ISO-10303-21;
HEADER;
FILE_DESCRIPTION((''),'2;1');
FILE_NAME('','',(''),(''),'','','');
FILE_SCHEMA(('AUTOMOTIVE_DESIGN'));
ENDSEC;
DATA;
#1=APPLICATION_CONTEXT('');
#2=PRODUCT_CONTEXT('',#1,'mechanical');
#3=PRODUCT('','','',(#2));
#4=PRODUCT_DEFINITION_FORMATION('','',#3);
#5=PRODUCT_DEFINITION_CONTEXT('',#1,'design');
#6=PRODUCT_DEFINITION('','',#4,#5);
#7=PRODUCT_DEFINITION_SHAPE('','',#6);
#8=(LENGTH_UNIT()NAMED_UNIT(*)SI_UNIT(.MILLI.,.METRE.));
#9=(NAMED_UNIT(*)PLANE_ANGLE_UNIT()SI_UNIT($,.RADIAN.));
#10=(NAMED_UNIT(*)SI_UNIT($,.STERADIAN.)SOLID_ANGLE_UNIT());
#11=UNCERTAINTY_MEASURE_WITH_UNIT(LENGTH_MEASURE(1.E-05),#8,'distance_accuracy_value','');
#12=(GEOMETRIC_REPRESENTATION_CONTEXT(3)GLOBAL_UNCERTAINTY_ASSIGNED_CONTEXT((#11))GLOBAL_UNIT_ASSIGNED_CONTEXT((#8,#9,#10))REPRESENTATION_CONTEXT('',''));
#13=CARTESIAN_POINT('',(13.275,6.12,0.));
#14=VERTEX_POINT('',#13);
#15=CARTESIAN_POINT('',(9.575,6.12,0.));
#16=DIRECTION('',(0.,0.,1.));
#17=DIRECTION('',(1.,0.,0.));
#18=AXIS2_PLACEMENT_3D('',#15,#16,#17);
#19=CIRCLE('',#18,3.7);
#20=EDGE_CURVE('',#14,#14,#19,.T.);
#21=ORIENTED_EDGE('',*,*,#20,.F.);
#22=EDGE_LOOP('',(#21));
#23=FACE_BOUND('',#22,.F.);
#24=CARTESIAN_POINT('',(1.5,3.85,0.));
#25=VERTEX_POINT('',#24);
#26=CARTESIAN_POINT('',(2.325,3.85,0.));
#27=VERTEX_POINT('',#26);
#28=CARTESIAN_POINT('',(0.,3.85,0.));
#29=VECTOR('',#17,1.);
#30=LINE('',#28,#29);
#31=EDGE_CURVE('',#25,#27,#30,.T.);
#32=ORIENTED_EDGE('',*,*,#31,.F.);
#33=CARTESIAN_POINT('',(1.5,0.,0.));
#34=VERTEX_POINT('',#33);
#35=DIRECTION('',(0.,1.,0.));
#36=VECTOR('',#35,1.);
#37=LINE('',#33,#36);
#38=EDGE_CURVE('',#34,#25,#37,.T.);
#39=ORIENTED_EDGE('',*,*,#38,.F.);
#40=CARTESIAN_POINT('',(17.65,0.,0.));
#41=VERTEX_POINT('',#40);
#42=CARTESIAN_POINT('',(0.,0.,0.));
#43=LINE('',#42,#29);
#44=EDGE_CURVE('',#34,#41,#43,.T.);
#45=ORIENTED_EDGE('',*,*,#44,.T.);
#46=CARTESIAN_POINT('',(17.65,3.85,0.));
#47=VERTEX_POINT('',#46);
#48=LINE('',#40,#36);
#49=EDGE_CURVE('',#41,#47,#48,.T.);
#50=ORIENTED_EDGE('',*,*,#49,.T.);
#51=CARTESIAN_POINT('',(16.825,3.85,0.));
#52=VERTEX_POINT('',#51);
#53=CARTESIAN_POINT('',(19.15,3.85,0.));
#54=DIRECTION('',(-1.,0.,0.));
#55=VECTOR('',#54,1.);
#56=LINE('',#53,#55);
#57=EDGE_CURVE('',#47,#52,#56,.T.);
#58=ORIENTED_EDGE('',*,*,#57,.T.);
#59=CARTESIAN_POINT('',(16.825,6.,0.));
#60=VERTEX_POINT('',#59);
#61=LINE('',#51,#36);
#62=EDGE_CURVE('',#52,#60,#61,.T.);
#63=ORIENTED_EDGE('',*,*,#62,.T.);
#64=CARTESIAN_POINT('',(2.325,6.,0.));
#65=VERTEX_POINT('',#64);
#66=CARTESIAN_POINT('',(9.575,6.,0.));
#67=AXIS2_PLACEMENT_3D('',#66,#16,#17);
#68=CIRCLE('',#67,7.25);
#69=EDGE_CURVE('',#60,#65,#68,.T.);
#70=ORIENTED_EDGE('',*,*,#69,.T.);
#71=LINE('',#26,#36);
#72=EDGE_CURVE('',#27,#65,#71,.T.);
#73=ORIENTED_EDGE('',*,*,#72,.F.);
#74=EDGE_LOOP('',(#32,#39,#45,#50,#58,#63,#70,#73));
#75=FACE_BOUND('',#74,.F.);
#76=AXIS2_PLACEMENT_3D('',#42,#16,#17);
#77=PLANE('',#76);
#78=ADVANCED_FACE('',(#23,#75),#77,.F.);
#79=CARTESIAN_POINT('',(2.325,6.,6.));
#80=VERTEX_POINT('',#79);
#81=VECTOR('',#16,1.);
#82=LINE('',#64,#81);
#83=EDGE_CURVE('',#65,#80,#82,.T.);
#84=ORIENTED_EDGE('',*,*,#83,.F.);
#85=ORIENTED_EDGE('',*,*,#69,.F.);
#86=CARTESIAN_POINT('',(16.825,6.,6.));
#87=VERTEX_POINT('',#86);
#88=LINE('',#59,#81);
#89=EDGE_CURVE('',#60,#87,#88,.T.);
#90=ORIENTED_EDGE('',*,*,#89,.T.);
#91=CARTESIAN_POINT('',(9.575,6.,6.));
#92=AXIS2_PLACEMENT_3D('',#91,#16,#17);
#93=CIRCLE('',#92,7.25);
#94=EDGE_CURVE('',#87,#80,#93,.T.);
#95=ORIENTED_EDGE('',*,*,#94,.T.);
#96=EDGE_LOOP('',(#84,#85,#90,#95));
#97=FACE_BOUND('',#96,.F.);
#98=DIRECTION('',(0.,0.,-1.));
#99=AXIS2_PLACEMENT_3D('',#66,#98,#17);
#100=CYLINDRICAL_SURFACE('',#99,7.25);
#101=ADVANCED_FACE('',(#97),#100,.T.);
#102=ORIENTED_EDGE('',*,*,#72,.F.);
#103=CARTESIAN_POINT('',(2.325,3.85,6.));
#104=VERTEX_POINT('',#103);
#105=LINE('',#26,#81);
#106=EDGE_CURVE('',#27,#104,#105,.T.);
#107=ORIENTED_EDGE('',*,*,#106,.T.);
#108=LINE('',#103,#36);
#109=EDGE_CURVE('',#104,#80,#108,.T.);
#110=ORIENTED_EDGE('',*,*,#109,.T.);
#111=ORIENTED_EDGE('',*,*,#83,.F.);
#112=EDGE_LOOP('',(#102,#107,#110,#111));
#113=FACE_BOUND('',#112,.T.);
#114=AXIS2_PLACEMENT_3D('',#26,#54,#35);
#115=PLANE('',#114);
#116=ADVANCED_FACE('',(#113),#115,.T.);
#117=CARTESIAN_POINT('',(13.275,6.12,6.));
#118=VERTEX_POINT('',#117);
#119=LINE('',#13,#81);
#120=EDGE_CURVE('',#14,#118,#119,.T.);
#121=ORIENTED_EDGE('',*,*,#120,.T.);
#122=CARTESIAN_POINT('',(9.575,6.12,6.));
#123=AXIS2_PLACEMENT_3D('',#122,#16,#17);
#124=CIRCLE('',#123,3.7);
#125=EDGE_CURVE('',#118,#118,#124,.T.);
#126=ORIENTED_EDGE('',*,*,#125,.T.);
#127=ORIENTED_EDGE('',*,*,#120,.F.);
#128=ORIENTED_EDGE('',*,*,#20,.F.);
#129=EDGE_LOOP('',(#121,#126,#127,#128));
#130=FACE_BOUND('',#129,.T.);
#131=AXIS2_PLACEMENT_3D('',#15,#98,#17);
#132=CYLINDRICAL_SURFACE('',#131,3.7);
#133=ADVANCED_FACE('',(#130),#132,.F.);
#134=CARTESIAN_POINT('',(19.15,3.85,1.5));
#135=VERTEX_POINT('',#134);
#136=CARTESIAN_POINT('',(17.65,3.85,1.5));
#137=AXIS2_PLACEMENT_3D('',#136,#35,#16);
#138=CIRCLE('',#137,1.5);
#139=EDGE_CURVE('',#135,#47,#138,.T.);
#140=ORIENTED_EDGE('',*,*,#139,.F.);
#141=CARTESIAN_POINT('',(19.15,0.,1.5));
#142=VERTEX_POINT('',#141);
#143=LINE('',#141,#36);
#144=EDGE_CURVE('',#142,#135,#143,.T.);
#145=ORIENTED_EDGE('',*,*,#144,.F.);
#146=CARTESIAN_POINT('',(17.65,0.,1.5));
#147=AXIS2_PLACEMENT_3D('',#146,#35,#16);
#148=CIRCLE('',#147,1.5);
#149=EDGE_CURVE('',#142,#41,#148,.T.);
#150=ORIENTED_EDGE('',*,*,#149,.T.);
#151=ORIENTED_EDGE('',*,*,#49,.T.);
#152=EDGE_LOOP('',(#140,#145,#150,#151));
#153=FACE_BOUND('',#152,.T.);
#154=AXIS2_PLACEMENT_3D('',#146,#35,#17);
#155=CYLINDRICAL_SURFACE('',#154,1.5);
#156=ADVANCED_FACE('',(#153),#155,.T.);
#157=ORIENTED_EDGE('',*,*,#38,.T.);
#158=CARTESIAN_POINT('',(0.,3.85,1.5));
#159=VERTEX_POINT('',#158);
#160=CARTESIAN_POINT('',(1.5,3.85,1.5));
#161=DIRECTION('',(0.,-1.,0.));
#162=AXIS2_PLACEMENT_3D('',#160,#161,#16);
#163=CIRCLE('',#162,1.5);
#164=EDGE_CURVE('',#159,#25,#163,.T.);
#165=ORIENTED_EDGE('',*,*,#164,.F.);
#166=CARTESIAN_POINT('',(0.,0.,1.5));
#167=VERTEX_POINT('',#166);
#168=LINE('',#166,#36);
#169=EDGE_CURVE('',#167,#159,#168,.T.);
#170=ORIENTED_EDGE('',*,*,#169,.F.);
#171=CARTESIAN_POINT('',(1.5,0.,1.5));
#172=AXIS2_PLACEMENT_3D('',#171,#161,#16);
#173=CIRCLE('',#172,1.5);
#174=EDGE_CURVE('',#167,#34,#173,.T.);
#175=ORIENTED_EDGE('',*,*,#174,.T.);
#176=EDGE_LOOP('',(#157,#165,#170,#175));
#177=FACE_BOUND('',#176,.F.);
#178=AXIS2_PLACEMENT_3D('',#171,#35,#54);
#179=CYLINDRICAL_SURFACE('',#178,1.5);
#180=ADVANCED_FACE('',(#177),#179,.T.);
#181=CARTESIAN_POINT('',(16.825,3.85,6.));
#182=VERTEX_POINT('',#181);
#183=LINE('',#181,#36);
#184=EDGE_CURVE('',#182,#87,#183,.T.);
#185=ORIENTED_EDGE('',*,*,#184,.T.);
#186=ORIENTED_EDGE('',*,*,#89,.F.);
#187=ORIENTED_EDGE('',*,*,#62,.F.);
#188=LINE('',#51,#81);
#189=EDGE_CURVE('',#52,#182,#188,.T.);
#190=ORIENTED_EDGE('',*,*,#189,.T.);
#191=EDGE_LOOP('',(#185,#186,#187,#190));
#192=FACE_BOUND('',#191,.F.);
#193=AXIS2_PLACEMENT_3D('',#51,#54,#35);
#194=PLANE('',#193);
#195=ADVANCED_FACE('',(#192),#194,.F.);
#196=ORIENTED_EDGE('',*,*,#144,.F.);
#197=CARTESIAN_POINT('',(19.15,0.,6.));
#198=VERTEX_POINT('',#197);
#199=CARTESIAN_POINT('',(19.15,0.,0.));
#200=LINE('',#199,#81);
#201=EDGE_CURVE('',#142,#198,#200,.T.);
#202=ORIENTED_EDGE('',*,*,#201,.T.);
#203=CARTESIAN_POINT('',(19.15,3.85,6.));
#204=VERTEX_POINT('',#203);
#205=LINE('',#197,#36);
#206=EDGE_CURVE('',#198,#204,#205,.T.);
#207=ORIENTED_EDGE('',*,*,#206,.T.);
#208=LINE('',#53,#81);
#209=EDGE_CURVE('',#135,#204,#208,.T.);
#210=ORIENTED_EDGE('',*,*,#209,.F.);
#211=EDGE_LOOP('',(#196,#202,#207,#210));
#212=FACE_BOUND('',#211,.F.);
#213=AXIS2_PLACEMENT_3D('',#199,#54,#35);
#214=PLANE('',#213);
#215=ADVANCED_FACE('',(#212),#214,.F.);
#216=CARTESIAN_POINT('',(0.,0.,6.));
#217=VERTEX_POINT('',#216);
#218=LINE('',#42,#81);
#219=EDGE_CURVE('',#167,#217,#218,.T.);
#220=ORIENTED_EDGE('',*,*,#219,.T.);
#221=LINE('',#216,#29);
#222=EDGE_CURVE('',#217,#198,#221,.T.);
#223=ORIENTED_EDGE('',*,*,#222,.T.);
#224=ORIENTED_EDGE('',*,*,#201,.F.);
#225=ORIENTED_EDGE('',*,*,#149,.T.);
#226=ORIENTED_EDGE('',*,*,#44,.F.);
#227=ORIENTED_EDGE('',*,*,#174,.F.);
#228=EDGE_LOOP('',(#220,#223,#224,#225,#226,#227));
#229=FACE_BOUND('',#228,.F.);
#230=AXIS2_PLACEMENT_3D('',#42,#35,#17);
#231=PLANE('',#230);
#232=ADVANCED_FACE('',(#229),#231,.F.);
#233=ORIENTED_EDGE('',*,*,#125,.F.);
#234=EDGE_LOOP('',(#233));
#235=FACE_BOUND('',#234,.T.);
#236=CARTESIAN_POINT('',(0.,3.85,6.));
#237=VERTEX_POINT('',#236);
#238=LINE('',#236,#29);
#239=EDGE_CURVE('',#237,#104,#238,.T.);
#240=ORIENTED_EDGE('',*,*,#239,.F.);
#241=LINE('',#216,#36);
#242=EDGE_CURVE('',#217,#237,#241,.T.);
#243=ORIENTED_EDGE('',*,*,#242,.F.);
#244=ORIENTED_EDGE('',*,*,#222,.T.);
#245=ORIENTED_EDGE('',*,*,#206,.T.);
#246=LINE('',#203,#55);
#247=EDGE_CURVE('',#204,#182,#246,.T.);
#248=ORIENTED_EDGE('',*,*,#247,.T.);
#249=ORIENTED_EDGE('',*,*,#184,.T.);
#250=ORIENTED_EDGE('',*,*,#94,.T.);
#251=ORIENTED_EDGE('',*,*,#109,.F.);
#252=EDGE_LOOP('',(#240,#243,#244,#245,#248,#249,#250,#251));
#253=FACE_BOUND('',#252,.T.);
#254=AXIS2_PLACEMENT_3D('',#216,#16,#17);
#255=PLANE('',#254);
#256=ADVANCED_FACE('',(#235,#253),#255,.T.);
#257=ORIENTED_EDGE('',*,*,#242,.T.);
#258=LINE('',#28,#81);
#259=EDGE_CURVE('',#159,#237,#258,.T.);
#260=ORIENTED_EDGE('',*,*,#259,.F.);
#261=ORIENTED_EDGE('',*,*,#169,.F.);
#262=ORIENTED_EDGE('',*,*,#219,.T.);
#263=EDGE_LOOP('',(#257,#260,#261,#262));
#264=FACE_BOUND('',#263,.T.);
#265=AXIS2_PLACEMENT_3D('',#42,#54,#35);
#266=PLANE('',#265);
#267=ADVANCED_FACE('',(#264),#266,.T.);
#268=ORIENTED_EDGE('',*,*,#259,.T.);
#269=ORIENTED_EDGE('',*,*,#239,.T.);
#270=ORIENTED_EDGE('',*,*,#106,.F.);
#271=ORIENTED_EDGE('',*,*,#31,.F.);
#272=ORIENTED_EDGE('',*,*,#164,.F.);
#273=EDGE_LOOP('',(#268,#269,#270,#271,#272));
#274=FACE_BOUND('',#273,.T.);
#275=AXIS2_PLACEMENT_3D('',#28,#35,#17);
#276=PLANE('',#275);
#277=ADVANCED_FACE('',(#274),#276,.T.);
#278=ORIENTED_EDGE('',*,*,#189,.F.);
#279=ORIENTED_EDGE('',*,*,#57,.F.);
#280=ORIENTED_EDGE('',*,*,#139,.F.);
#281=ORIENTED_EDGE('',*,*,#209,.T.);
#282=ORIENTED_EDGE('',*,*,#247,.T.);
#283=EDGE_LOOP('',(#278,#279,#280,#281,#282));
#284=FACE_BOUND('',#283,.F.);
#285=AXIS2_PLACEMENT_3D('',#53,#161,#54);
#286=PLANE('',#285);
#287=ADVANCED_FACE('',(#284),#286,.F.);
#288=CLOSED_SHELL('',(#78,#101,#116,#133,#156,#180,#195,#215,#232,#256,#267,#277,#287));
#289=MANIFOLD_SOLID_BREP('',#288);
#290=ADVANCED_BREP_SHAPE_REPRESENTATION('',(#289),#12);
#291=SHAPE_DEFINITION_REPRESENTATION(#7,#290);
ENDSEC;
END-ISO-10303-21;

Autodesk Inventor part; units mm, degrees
ref_plane "YZ Plane" through (0, 0, 0) normal (1, 0, 0) x (0, 1, 0)
ref_plane "XZ Plane" through (0, 0, 0) normal (0, 1, 0) x (-1, 0, 0)
ref_plane "XY Plane" through (0, 0, 0) normal (0, 0, 1) x (1, 0, 0)
sketch "Sketch1" plane through (0, 0, 0) normal (0, 0, 1) x (1, 0, 0)
  line L0 (0, 0) -> (0, 3.85)
  line L1 (0, 0) -> (19.15, 0)
  line L2 (19.15, 0) -> (19.15, 3.85)
  line L3 (0, 3.85) -> (2.325, 3.85)
  line L4 (2.325, 3.85) -> (2.325, 6)
  line L5 (19.15, 3.85) -> (16.825, 3.85)
  line L6 (16.825, 3.85) -> (16.825, 6)
  arc A0 (16.825, 6) -> (2.325, 6) centre (9.575, 6) ccw
  circle A1 centre (9.575, 6.12) radius 3.7
  point P0 (9.575, 13.25)
  dimension "d0" = 19.15
  dimension "d1" = 3.85
  dimension "d2" = 3.85
  dimension "d3" = 9.575
  dimension "d4" = 13.25
  dimension "d5" = 7.25
  dimension "d6" = 7.25
  dimension "d7" = 7.25
  dimension "d8" = 7.25
  dimension "d9" = 9.575
  dimension "d10" = 7.4
  dimension "d11" = 7.13
extrude "Extrusion1" add sketch "Sketch1" along normal blind 6
fillet "Fillet1" radius 1.5 2 edges at (19.15, 1.925, 0) (0, 1.925, 0)
equation "\"d2\" = d1"
equation "\"d3\" = 0.5 * d0"
equation "\"d6\" = d5"
equation "\"d7\" = d5"
equation "\"d8\" = d5"
equation "\"d9\" = d3"
properties part number "Recoil Spring Mount v1.0"
